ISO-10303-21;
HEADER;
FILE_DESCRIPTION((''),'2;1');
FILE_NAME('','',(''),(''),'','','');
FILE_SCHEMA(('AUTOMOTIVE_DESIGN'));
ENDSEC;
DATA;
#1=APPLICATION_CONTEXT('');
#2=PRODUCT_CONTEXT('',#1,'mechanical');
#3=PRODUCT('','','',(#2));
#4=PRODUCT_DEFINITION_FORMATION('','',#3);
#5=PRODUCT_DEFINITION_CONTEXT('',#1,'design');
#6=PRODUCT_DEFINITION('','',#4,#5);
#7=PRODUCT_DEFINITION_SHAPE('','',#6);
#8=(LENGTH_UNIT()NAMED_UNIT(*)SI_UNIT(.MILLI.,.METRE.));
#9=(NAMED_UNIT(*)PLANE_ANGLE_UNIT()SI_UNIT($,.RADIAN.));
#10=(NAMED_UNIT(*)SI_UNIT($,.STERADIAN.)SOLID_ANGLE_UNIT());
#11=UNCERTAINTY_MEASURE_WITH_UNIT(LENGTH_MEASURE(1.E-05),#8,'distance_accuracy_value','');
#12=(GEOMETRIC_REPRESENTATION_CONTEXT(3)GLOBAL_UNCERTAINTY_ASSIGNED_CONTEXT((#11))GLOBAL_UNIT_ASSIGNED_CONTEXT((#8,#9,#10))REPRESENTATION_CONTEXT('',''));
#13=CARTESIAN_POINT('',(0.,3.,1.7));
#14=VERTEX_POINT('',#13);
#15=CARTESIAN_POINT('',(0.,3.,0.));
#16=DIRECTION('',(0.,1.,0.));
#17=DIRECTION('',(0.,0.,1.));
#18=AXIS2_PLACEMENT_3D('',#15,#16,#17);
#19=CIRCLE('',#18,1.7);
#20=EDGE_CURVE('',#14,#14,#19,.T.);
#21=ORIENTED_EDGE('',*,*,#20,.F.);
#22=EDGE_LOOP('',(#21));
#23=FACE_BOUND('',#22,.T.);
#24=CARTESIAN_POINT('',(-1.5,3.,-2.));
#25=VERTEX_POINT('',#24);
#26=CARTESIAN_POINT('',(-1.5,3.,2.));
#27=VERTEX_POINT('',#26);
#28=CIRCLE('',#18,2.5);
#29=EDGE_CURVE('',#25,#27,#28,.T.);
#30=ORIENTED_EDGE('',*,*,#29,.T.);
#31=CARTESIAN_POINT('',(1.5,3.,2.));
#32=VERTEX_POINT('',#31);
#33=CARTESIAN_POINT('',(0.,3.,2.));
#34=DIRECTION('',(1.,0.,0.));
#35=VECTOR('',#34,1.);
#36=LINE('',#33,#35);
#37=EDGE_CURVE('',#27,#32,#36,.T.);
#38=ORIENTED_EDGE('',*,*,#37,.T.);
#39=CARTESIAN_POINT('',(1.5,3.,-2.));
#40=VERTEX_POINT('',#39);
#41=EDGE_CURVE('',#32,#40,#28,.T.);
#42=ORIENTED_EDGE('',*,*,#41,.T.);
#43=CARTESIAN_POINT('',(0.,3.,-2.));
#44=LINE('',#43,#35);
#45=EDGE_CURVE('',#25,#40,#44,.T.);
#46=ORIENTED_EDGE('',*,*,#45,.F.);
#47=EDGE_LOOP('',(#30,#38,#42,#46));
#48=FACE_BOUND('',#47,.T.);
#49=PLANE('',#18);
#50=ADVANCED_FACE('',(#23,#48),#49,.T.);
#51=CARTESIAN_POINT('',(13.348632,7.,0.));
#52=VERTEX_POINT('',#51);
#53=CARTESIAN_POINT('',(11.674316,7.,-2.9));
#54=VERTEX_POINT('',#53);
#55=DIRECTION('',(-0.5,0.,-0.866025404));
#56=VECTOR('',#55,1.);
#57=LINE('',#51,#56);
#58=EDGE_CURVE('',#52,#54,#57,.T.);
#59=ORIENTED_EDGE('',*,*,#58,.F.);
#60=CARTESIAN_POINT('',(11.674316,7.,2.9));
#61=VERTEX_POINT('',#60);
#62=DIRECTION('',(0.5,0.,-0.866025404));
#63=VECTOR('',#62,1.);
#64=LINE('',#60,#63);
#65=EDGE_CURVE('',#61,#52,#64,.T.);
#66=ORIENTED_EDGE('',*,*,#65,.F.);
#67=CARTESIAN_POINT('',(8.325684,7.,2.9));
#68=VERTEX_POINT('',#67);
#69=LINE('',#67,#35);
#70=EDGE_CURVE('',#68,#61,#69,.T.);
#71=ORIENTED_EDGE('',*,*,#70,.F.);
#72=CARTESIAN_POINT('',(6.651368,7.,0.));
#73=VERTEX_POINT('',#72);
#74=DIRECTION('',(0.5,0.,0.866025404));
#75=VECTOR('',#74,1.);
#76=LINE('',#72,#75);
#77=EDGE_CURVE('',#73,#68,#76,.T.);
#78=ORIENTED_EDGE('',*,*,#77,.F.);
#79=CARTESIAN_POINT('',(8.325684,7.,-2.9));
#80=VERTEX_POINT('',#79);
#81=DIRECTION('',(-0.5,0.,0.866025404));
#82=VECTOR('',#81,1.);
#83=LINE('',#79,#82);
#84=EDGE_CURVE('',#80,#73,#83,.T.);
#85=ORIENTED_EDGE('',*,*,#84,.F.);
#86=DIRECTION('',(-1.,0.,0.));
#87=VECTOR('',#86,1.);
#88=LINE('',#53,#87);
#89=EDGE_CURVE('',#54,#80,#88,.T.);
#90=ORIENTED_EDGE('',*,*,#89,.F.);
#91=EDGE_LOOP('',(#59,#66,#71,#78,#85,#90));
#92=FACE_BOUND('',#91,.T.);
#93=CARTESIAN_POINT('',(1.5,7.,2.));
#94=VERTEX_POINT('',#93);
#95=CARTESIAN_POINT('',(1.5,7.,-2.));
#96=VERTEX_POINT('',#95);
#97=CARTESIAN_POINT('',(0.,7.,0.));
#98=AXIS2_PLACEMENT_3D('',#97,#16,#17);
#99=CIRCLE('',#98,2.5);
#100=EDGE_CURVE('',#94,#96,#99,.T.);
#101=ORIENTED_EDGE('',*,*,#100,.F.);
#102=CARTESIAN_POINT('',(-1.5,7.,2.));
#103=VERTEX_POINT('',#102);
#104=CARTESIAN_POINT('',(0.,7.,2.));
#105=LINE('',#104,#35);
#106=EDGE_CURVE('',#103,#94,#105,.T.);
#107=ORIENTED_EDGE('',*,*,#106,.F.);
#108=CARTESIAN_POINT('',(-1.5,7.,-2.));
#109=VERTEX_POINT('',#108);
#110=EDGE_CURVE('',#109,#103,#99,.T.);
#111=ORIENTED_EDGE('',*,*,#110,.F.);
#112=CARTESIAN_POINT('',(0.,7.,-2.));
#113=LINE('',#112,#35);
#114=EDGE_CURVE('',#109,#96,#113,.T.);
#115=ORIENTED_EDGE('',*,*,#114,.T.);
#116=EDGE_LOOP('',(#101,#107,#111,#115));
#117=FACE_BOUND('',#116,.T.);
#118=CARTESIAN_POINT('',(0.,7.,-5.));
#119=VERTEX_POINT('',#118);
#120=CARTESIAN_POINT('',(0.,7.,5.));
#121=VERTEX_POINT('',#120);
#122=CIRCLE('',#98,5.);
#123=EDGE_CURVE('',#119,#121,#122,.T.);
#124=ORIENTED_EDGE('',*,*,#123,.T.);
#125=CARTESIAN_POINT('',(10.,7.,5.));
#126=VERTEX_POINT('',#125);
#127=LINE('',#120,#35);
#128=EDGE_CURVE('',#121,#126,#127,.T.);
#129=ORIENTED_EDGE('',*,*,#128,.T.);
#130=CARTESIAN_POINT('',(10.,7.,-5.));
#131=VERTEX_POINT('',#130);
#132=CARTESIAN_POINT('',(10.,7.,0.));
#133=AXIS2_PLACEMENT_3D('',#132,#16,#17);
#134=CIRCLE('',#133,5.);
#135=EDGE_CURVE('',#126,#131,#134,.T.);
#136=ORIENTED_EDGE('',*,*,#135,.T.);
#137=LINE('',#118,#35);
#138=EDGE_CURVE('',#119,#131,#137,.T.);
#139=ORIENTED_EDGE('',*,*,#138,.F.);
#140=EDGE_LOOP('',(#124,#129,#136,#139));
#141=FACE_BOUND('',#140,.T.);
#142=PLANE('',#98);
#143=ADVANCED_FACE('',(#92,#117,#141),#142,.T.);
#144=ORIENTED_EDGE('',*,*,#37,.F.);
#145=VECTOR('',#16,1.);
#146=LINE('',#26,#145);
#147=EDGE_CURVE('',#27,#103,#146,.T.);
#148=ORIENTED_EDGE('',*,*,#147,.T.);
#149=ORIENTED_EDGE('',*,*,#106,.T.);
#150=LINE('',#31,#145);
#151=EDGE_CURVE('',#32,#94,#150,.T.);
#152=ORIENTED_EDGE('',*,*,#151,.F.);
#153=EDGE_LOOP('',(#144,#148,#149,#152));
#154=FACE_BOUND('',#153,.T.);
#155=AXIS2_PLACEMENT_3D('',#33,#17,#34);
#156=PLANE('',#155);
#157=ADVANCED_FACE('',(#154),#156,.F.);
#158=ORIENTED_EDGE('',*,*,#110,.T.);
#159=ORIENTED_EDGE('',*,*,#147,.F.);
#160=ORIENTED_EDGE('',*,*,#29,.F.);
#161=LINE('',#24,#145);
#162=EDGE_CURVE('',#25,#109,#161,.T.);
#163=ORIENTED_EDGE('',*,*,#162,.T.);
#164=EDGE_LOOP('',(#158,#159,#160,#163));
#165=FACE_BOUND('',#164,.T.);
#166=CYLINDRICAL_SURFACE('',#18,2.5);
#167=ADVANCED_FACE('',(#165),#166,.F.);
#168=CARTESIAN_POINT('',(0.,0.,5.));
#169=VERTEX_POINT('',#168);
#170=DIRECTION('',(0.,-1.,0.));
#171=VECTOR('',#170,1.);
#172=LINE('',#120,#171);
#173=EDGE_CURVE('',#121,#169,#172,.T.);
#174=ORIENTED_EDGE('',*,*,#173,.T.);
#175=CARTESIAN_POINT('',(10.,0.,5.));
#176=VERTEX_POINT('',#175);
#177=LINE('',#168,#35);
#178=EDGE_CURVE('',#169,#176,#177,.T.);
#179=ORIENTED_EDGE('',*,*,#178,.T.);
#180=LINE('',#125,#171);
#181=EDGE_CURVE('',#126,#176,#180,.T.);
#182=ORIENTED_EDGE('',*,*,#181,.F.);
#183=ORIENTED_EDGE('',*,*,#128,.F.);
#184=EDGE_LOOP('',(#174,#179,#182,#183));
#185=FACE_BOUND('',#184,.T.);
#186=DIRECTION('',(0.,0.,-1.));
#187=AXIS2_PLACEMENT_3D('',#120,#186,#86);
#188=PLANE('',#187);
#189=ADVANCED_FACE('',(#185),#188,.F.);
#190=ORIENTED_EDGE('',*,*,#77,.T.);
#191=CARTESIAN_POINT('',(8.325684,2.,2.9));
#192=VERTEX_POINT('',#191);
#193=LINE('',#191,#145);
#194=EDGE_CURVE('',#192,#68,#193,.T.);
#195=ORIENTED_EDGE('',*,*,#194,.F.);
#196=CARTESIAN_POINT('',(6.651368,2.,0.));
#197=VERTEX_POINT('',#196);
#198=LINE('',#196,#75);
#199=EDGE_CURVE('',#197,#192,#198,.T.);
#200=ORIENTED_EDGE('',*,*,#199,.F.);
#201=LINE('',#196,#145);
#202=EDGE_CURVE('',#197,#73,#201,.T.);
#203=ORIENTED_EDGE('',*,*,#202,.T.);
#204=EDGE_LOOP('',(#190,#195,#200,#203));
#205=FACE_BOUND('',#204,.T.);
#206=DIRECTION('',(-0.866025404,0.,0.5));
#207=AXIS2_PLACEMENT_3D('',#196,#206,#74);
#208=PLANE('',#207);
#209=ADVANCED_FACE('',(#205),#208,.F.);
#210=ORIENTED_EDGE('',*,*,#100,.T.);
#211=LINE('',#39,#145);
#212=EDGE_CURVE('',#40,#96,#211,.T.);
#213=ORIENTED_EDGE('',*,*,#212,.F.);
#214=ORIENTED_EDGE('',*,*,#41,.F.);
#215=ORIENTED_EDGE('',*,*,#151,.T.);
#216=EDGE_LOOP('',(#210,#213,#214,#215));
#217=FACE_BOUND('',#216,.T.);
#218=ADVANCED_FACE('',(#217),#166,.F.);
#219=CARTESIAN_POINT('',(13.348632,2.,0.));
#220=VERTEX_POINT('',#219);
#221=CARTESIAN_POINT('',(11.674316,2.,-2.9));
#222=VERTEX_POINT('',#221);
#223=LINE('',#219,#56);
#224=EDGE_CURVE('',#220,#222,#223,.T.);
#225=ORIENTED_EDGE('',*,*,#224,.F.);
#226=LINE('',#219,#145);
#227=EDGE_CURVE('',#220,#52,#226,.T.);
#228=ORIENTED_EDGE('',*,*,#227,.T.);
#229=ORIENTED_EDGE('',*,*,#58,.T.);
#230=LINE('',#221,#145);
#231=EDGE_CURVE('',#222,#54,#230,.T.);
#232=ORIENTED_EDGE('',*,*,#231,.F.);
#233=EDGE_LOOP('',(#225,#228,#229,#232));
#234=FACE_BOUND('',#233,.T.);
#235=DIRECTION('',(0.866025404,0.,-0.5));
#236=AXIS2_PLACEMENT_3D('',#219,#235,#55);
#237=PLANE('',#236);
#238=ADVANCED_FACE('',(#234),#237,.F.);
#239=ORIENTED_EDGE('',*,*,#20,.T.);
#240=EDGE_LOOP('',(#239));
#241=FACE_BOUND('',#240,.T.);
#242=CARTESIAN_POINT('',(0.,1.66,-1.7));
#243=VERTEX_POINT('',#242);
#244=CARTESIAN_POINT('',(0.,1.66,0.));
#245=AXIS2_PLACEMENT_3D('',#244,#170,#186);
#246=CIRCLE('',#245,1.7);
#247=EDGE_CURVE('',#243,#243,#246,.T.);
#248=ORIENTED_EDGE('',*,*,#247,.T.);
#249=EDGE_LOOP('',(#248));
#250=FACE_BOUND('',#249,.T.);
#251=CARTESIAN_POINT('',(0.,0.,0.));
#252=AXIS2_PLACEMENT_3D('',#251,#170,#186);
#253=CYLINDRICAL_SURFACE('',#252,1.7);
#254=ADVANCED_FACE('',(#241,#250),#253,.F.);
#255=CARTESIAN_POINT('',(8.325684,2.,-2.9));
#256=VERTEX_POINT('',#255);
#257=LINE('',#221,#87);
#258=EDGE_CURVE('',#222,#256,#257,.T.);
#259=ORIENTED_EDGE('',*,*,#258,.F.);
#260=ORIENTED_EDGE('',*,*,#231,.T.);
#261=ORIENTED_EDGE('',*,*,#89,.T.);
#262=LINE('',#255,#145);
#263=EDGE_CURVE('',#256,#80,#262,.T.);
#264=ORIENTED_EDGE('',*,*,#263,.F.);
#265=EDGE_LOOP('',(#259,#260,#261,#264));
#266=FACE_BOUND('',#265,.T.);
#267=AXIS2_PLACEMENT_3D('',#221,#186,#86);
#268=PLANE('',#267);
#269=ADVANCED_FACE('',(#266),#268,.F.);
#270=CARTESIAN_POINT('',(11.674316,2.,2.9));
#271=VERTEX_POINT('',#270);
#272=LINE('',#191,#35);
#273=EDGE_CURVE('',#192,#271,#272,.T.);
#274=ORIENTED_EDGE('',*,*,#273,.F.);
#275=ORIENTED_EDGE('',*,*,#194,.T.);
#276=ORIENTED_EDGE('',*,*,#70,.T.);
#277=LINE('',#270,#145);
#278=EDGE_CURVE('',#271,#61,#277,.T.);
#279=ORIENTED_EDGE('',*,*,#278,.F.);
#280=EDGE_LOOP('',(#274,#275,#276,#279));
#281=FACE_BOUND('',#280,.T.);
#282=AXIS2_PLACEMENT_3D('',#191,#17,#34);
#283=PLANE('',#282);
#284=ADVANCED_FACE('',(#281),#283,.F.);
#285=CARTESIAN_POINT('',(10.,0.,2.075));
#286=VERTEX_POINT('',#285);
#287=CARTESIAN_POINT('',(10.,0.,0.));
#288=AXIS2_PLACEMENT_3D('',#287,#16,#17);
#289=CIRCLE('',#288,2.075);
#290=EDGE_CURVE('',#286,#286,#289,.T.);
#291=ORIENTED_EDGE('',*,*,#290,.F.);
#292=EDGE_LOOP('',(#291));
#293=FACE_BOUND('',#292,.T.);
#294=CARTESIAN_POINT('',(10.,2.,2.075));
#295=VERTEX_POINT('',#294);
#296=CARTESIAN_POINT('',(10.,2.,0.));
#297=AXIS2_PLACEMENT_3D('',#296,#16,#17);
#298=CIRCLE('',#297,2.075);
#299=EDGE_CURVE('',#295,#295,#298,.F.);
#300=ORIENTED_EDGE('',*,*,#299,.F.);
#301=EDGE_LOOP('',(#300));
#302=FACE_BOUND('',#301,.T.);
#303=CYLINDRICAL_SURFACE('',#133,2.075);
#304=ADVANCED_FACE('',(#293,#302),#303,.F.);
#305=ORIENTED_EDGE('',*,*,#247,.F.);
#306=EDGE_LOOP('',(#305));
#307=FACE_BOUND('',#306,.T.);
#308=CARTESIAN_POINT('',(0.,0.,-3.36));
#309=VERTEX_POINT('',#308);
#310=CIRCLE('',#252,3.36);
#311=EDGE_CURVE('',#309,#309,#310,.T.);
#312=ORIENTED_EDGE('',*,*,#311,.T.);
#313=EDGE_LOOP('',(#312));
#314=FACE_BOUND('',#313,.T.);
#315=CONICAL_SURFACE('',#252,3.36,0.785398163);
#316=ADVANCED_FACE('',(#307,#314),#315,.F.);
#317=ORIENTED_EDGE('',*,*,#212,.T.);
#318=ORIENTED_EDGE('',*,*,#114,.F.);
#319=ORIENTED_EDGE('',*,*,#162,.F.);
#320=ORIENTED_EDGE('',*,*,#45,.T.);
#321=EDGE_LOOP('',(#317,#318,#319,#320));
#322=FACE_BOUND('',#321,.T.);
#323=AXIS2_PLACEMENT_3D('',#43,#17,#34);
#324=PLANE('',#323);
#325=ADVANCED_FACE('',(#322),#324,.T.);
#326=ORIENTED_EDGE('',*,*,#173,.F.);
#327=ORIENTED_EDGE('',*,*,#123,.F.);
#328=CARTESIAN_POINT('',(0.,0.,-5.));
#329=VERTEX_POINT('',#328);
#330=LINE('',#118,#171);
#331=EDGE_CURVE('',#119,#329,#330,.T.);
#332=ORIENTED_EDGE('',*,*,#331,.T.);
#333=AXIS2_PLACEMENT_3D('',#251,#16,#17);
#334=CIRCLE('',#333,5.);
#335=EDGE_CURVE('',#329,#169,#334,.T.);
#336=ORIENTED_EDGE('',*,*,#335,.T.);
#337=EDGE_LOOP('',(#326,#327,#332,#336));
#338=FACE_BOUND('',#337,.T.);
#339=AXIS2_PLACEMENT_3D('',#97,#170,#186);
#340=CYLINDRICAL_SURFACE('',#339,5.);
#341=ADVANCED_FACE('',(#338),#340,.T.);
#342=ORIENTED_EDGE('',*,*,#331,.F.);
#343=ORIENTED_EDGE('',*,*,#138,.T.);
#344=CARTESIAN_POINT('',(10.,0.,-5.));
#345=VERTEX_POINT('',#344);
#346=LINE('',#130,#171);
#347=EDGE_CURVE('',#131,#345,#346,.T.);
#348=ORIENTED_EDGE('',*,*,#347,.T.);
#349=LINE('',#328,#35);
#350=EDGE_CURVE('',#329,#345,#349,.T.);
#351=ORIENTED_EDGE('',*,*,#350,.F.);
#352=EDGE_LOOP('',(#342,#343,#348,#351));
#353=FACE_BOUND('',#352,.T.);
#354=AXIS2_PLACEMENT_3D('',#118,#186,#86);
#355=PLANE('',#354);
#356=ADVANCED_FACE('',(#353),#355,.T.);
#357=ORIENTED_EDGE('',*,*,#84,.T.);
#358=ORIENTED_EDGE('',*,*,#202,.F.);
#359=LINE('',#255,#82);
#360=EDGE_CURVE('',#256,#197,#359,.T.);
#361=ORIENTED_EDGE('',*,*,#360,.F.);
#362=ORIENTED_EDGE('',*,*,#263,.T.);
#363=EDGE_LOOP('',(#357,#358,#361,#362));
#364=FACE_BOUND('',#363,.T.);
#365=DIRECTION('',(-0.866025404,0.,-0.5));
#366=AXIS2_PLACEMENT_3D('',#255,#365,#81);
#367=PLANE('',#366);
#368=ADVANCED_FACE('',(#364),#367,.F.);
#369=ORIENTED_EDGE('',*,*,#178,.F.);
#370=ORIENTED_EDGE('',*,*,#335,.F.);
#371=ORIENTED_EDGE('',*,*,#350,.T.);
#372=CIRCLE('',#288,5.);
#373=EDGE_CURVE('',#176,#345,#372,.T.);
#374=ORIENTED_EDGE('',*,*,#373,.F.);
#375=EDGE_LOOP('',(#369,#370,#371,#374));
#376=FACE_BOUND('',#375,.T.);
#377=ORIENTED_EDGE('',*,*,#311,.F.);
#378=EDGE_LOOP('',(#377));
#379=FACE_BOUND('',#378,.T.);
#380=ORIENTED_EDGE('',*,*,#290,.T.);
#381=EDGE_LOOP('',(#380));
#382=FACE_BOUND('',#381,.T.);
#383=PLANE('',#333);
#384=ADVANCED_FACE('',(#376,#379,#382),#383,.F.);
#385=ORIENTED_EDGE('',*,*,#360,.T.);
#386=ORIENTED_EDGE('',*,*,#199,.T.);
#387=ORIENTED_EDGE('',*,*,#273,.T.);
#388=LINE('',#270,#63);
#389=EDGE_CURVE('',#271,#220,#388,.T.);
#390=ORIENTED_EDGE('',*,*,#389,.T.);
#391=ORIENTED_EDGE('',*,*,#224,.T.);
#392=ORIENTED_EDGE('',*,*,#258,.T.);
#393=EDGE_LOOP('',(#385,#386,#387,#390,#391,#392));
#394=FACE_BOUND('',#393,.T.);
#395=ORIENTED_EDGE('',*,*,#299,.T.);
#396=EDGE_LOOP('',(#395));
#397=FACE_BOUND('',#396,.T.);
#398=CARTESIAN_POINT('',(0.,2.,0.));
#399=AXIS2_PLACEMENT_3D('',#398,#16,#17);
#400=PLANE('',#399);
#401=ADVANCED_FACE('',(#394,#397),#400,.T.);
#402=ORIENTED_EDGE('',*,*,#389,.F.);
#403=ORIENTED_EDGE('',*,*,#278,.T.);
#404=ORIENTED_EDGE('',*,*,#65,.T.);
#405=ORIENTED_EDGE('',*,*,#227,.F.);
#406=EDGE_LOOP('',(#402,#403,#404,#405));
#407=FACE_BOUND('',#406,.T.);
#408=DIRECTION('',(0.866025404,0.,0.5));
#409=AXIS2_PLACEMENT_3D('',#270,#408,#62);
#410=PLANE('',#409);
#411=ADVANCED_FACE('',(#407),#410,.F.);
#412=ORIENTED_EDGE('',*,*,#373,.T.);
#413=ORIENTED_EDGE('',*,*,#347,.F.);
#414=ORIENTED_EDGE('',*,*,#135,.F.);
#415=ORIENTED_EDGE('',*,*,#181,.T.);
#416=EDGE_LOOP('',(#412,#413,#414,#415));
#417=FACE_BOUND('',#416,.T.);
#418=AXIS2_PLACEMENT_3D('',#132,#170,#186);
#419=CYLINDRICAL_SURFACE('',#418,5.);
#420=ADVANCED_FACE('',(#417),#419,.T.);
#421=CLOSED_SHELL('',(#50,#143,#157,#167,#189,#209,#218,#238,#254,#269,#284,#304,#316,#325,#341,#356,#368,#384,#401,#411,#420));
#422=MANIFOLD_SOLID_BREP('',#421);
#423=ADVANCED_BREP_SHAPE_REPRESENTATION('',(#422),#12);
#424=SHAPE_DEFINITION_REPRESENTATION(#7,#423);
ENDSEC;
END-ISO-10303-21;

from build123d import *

# Parameters (mm, degrees)
EXTRUDE_2_DEPTH              = 7
CUT_EXTRUDE_1_DEPTH          = 4
HOLE_WIZARD_M3_1_D           = 3.4
HOLE_WIZARD_M3_1_CSINK_D     = 6.72
HOLE_WIZARD_M3_1_CSINK_ANGLE = 90
HOLE_WIZARD_1_D              = 4.15
HOLE_WIZARD_1_DEPTH          = 10
CUT_EXTRUDE_2_DEPTH          = 5


with BuildPart() as part:
    # 草图1 → 凸台-拉伸2 (new body)
    with BuildSketch(Plane(origin=(0, 0, 0), x_dir=(1, 0, 0), z_dir=(0, 1, 0))):
        with BuildLine():
            Line((0, 5), (10, 5))
            ThreePointArc((10, 5), (15, 0), (10, -5))
            Line((10, -5), (0, -5))
            ThreePointArc((0, -5), (-5, 0), (0, 5))
        make_face()
    extrude(amount=EXTRUDE_2_DEPTH)

    # 草图2 → 切除-拉伸1 (cut)
    with BuildSketch(Plane(origin=(0, 7, 0), x_dir=(1, 0, 0), z_dir=(0, 1, 0))):
        with BuildLine():
            Line((1.5, 2), (-1.5, 2))
            ThreePointArc((-1.5, 2), (-2.5, 0), (-1.5, -2))
            Line((-1.5, -2), (1.5, -2))
            ThreePointArc((1.5, -2), (2.236067977, -1.118033989), (2.5, 0))
            ThreePointArc((2.5, 0), (2.236067977, 1.118033989), (1.5, 2))
        make_face()
    extrude(amount=-CUT_EXTRUDE_1_DEPTH, mode=Mode.SUBTRACT)

    # M3 六角凹锥坑螺钉的锥形沉头孔1 (through all)
    with Locations(Plane(origin=(0, 0, 0), x_dir=(-1, 0, 0), z_dir=(0, -1, 0))):
        with Locations((0, 0)):
            CounterSinkHole(HOLE_WIZARD_M3_1_D / 2, HOLE_WIZARD_M3_1_CSINK_D / 2, counter_sink_angle=HOLE_WIZARD_M3_1_CSINK_ANGLE)

    # 孔1
    with Locations(Plane(origin=(0, 7, 0), x_dir=(1, 0, 0), z_dir=(0, 1, 0))):
        with Locations((10, 0)):
            Hole(HOLE_WIZARD_1_D / 2, depth=HOLE_WIZARD_1_DEPTH)

    # 草图8 → 切除-拉伸2 (cut)
    with BuildSketch(Plane(origin=(0, 7, 0), x_dir=(1, 0, 0), z_dir=(0, 1, 0))):
        Polygon((13.348631561, 0), (11.674315781, 2.9), (8.325684219, 2.9), (6.651368439, 0), (8.325684219, -2.9), (11.674315781, -2.9), align=None)
    extrude(amount=-CUT_EXTRUDE_2_DEPTH, mode=Mode.SUBTRACT)


solid = part.part
